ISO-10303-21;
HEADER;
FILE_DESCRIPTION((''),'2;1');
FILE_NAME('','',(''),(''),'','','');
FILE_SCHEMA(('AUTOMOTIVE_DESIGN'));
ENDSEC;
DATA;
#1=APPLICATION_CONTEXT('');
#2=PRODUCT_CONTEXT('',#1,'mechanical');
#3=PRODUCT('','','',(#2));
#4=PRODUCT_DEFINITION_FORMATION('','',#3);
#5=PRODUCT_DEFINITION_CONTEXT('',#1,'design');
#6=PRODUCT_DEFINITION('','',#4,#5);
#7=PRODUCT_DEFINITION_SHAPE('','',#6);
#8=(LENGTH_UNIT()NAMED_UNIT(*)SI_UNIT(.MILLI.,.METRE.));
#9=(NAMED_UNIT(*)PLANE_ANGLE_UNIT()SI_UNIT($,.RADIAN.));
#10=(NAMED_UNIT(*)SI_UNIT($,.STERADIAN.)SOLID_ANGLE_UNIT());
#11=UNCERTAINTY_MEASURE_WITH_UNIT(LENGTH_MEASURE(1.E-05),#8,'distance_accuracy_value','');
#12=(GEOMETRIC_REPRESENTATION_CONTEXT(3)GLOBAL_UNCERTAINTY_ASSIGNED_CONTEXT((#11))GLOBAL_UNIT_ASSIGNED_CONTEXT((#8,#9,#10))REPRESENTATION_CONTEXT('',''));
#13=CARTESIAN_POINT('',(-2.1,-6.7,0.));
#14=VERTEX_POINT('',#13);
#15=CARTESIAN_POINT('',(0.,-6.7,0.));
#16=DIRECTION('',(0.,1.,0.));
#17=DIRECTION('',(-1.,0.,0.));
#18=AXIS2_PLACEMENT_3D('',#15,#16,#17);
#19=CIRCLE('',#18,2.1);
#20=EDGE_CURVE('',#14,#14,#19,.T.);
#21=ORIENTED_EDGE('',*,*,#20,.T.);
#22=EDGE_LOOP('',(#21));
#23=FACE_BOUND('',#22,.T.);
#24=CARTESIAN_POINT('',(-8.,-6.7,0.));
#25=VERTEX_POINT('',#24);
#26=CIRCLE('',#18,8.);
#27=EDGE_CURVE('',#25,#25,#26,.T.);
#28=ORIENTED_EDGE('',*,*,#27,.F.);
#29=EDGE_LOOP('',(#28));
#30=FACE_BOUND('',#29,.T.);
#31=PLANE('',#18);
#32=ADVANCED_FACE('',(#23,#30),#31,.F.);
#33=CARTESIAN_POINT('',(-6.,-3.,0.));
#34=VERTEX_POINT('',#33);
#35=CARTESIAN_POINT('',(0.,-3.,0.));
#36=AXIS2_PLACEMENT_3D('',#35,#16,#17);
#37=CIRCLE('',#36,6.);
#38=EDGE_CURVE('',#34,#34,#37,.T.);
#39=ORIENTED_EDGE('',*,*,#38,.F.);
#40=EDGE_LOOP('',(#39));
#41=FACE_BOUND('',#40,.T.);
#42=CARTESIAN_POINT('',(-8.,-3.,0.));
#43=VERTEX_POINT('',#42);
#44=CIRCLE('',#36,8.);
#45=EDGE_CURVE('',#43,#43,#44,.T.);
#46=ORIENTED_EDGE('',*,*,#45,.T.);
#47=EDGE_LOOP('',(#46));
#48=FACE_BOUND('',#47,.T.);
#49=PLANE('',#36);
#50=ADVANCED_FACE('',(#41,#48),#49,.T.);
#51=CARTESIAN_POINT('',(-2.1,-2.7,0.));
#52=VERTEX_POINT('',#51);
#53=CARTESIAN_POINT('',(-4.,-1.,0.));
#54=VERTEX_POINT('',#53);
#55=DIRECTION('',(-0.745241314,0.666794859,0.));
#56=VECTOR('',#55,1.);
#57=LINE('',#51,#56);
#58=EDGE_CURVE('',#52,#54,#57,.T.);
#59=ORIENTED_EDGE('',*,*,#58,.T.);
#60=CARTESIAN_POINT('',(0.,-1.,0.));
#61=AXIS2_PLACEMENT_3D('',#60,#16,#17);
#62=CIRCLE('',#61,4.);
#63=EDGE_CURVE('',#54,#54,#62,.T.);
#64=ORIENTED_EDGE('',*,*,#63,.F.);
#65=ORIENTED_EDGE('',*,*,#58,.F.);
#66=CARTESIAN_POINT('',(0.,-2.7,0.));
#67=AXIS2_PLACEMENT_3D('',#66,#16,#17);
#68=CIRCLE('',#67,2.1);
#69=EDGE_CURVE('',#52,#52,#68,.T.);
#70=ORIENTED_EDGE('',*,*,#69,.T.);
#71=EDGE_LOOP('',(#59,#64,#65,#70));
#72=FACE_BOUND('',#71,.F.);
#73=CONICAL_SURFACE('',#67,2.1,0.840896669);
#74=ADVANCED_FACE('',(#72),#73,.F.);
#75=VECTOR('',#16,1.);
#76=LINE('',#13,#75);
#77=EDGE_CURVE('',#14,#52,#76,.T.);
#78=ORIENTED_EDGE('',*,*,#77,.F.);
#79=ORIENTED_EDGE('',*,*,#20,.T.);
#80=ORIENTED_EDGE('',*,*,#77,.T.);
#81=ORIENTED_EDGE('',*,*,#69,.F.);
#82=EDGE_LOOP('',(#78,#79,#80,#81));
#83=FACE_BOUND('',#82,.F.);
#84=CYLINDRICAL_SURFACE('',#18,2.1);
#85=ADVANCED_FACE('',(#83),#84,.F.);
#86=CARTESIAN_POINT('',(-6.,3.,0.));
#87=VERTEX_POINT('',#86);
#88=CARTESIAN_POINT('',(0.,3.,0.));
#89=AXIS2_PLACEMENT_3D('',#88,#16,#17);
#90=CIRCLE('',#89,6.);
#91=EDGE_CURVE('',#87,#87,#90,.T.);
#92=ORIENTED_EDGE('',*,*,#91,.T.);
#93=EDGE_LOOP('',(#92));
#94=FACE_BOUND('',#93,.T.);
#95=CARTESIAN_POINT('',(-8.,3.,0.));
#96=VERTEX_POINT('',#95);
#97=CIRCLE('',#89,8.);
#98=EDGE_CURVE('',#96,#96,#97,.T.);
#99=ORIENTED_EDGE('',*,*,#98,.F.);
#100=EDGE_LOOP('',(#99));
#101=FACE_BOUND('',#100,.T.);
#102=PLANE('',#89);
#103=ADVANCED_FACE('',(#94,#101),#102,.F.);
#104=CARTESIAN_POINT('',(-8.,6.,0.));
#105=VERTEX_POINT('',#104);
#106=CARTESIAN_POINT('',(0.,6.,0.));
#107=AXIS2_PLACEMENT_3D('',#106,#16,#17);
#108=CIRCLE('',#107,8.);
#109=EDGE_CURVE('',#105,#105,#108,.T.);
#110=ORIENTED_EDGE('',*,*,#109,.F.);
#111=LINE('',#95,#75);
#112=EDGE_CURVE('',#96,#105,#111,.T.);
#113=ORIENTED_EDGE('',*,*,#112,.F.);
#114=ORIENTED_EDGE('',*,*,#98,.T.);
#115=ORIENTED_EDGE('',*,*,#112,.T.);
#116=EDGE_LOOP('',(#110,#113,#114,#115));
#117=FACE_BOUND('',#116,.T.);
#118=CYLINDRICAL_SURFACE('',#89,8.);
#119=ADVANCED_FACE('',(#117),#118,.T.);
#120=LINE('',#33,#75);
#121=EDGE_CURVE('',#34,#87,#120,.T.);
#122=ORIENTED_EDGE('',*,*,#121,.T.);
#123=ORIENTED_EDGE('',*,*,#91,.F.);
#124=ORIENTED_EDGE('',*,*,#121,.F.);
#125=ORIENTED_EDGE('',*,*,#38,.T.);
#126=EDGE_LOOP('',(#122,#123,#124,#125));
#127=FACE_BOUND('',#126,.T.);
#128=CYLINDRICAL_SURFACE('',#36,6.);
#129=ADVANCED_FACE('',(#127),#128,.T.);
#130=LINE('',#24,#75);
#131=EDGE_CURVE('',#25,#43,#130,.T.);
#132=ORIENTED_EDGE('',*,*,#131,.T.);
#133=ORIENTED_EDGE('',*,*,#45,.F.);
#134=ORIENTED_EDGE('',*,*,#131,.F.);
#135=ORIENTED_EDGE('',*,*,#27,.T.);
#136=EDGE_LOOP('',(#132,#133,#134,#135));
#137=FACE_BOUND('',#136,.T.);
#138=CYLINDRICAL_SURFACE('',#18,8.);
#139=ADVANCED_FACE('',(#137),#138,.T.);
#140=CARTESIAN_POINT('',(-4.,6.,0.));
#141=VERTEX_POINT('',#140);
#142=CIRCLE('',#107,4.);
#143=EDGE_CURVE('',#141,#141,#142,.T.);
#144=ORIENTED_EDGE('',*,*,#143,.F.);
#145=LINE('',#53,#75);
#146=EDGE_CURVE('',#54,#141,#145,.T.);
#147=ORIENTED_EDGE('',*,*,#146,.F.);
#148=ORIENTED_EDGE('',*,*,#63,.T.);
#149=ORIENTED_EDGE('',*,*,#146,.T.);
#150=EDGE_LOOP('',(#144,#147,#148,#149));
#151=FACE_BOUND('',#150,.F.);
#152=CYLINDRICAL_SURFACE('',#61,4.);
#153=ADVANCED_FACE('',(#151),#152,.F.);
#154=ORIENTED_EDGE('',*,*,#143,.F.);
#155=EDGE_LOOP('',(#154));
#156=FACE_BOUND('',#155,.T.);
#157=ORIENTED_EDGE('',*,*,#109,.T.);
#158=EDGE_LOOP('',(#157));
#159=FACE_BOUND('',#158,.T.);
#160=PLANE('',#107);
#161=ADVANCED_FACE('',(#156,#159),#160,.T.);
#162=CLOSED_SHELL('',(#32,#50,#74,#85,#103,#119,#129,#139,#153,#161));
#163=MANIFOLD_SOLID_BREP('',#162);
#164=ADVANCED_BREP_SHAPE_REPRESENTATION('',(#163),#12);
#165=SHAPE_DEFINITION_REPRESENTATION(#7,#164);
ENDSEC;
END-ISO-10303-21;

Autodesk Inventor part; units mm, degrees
ref_plane "YZ Plane" through (0, 0, 0) normal (1, 0, 0) x (0, 1, 0)
ref_plane "XZ Plane" through (0, 0, 0) normal (0, 1, 0) x (-1, 0, 0)
ref_plane "XY Plane" through (0, 0, 0) normal (0, 0, 1) x (1, 0, 0)
sketch "Sketch1" plane through (0, 0, 0) normal (0, 0, 1) x (1, 0, 0)
  line L0 (-2.1, -6.7) -> (-8, -6.7)
  line L1 (-8, -6.7) -> (-8, -3)
  line L2 (-8, -3) -> (-6, -3)
  line L3 (-6, -3) -> (-6, 3)
  line L4 (-6, 3) -> (-8, 3)
  line L5 (-8, 3) -> (-8, 6)
  line L6 (-8, 6) -> (-4, 6)
  line L7 (0, 0) -> (-16, 0) construction
  line L8 (0, -9.24) -> (0, 8.54) projected
  line L9 (-2.1, -6.7) -> (-2.1, -2.7)
  line L10 (-2.1, -2.7) -> (-4, -1)
  line L11 (-4, -1) -> (-4, 6)
  dimension "d1" = 8
  dimension "d2" = 3.7
  dimension "d3" = 3
  dimension "d4" = 6
  dimension "d5" = 6
  dimension "d7" = 4
  dimension "d8" = 2.1
  dimension "d9" = 7
  dimension "d11" = 4
revolve "Revolution2" add sketch "Sketch1" angle 360 about axis through (0, -10, 0) along (0, 1, 0)
properties part number "Groove_Mount_Adaptor_1_75mm"
